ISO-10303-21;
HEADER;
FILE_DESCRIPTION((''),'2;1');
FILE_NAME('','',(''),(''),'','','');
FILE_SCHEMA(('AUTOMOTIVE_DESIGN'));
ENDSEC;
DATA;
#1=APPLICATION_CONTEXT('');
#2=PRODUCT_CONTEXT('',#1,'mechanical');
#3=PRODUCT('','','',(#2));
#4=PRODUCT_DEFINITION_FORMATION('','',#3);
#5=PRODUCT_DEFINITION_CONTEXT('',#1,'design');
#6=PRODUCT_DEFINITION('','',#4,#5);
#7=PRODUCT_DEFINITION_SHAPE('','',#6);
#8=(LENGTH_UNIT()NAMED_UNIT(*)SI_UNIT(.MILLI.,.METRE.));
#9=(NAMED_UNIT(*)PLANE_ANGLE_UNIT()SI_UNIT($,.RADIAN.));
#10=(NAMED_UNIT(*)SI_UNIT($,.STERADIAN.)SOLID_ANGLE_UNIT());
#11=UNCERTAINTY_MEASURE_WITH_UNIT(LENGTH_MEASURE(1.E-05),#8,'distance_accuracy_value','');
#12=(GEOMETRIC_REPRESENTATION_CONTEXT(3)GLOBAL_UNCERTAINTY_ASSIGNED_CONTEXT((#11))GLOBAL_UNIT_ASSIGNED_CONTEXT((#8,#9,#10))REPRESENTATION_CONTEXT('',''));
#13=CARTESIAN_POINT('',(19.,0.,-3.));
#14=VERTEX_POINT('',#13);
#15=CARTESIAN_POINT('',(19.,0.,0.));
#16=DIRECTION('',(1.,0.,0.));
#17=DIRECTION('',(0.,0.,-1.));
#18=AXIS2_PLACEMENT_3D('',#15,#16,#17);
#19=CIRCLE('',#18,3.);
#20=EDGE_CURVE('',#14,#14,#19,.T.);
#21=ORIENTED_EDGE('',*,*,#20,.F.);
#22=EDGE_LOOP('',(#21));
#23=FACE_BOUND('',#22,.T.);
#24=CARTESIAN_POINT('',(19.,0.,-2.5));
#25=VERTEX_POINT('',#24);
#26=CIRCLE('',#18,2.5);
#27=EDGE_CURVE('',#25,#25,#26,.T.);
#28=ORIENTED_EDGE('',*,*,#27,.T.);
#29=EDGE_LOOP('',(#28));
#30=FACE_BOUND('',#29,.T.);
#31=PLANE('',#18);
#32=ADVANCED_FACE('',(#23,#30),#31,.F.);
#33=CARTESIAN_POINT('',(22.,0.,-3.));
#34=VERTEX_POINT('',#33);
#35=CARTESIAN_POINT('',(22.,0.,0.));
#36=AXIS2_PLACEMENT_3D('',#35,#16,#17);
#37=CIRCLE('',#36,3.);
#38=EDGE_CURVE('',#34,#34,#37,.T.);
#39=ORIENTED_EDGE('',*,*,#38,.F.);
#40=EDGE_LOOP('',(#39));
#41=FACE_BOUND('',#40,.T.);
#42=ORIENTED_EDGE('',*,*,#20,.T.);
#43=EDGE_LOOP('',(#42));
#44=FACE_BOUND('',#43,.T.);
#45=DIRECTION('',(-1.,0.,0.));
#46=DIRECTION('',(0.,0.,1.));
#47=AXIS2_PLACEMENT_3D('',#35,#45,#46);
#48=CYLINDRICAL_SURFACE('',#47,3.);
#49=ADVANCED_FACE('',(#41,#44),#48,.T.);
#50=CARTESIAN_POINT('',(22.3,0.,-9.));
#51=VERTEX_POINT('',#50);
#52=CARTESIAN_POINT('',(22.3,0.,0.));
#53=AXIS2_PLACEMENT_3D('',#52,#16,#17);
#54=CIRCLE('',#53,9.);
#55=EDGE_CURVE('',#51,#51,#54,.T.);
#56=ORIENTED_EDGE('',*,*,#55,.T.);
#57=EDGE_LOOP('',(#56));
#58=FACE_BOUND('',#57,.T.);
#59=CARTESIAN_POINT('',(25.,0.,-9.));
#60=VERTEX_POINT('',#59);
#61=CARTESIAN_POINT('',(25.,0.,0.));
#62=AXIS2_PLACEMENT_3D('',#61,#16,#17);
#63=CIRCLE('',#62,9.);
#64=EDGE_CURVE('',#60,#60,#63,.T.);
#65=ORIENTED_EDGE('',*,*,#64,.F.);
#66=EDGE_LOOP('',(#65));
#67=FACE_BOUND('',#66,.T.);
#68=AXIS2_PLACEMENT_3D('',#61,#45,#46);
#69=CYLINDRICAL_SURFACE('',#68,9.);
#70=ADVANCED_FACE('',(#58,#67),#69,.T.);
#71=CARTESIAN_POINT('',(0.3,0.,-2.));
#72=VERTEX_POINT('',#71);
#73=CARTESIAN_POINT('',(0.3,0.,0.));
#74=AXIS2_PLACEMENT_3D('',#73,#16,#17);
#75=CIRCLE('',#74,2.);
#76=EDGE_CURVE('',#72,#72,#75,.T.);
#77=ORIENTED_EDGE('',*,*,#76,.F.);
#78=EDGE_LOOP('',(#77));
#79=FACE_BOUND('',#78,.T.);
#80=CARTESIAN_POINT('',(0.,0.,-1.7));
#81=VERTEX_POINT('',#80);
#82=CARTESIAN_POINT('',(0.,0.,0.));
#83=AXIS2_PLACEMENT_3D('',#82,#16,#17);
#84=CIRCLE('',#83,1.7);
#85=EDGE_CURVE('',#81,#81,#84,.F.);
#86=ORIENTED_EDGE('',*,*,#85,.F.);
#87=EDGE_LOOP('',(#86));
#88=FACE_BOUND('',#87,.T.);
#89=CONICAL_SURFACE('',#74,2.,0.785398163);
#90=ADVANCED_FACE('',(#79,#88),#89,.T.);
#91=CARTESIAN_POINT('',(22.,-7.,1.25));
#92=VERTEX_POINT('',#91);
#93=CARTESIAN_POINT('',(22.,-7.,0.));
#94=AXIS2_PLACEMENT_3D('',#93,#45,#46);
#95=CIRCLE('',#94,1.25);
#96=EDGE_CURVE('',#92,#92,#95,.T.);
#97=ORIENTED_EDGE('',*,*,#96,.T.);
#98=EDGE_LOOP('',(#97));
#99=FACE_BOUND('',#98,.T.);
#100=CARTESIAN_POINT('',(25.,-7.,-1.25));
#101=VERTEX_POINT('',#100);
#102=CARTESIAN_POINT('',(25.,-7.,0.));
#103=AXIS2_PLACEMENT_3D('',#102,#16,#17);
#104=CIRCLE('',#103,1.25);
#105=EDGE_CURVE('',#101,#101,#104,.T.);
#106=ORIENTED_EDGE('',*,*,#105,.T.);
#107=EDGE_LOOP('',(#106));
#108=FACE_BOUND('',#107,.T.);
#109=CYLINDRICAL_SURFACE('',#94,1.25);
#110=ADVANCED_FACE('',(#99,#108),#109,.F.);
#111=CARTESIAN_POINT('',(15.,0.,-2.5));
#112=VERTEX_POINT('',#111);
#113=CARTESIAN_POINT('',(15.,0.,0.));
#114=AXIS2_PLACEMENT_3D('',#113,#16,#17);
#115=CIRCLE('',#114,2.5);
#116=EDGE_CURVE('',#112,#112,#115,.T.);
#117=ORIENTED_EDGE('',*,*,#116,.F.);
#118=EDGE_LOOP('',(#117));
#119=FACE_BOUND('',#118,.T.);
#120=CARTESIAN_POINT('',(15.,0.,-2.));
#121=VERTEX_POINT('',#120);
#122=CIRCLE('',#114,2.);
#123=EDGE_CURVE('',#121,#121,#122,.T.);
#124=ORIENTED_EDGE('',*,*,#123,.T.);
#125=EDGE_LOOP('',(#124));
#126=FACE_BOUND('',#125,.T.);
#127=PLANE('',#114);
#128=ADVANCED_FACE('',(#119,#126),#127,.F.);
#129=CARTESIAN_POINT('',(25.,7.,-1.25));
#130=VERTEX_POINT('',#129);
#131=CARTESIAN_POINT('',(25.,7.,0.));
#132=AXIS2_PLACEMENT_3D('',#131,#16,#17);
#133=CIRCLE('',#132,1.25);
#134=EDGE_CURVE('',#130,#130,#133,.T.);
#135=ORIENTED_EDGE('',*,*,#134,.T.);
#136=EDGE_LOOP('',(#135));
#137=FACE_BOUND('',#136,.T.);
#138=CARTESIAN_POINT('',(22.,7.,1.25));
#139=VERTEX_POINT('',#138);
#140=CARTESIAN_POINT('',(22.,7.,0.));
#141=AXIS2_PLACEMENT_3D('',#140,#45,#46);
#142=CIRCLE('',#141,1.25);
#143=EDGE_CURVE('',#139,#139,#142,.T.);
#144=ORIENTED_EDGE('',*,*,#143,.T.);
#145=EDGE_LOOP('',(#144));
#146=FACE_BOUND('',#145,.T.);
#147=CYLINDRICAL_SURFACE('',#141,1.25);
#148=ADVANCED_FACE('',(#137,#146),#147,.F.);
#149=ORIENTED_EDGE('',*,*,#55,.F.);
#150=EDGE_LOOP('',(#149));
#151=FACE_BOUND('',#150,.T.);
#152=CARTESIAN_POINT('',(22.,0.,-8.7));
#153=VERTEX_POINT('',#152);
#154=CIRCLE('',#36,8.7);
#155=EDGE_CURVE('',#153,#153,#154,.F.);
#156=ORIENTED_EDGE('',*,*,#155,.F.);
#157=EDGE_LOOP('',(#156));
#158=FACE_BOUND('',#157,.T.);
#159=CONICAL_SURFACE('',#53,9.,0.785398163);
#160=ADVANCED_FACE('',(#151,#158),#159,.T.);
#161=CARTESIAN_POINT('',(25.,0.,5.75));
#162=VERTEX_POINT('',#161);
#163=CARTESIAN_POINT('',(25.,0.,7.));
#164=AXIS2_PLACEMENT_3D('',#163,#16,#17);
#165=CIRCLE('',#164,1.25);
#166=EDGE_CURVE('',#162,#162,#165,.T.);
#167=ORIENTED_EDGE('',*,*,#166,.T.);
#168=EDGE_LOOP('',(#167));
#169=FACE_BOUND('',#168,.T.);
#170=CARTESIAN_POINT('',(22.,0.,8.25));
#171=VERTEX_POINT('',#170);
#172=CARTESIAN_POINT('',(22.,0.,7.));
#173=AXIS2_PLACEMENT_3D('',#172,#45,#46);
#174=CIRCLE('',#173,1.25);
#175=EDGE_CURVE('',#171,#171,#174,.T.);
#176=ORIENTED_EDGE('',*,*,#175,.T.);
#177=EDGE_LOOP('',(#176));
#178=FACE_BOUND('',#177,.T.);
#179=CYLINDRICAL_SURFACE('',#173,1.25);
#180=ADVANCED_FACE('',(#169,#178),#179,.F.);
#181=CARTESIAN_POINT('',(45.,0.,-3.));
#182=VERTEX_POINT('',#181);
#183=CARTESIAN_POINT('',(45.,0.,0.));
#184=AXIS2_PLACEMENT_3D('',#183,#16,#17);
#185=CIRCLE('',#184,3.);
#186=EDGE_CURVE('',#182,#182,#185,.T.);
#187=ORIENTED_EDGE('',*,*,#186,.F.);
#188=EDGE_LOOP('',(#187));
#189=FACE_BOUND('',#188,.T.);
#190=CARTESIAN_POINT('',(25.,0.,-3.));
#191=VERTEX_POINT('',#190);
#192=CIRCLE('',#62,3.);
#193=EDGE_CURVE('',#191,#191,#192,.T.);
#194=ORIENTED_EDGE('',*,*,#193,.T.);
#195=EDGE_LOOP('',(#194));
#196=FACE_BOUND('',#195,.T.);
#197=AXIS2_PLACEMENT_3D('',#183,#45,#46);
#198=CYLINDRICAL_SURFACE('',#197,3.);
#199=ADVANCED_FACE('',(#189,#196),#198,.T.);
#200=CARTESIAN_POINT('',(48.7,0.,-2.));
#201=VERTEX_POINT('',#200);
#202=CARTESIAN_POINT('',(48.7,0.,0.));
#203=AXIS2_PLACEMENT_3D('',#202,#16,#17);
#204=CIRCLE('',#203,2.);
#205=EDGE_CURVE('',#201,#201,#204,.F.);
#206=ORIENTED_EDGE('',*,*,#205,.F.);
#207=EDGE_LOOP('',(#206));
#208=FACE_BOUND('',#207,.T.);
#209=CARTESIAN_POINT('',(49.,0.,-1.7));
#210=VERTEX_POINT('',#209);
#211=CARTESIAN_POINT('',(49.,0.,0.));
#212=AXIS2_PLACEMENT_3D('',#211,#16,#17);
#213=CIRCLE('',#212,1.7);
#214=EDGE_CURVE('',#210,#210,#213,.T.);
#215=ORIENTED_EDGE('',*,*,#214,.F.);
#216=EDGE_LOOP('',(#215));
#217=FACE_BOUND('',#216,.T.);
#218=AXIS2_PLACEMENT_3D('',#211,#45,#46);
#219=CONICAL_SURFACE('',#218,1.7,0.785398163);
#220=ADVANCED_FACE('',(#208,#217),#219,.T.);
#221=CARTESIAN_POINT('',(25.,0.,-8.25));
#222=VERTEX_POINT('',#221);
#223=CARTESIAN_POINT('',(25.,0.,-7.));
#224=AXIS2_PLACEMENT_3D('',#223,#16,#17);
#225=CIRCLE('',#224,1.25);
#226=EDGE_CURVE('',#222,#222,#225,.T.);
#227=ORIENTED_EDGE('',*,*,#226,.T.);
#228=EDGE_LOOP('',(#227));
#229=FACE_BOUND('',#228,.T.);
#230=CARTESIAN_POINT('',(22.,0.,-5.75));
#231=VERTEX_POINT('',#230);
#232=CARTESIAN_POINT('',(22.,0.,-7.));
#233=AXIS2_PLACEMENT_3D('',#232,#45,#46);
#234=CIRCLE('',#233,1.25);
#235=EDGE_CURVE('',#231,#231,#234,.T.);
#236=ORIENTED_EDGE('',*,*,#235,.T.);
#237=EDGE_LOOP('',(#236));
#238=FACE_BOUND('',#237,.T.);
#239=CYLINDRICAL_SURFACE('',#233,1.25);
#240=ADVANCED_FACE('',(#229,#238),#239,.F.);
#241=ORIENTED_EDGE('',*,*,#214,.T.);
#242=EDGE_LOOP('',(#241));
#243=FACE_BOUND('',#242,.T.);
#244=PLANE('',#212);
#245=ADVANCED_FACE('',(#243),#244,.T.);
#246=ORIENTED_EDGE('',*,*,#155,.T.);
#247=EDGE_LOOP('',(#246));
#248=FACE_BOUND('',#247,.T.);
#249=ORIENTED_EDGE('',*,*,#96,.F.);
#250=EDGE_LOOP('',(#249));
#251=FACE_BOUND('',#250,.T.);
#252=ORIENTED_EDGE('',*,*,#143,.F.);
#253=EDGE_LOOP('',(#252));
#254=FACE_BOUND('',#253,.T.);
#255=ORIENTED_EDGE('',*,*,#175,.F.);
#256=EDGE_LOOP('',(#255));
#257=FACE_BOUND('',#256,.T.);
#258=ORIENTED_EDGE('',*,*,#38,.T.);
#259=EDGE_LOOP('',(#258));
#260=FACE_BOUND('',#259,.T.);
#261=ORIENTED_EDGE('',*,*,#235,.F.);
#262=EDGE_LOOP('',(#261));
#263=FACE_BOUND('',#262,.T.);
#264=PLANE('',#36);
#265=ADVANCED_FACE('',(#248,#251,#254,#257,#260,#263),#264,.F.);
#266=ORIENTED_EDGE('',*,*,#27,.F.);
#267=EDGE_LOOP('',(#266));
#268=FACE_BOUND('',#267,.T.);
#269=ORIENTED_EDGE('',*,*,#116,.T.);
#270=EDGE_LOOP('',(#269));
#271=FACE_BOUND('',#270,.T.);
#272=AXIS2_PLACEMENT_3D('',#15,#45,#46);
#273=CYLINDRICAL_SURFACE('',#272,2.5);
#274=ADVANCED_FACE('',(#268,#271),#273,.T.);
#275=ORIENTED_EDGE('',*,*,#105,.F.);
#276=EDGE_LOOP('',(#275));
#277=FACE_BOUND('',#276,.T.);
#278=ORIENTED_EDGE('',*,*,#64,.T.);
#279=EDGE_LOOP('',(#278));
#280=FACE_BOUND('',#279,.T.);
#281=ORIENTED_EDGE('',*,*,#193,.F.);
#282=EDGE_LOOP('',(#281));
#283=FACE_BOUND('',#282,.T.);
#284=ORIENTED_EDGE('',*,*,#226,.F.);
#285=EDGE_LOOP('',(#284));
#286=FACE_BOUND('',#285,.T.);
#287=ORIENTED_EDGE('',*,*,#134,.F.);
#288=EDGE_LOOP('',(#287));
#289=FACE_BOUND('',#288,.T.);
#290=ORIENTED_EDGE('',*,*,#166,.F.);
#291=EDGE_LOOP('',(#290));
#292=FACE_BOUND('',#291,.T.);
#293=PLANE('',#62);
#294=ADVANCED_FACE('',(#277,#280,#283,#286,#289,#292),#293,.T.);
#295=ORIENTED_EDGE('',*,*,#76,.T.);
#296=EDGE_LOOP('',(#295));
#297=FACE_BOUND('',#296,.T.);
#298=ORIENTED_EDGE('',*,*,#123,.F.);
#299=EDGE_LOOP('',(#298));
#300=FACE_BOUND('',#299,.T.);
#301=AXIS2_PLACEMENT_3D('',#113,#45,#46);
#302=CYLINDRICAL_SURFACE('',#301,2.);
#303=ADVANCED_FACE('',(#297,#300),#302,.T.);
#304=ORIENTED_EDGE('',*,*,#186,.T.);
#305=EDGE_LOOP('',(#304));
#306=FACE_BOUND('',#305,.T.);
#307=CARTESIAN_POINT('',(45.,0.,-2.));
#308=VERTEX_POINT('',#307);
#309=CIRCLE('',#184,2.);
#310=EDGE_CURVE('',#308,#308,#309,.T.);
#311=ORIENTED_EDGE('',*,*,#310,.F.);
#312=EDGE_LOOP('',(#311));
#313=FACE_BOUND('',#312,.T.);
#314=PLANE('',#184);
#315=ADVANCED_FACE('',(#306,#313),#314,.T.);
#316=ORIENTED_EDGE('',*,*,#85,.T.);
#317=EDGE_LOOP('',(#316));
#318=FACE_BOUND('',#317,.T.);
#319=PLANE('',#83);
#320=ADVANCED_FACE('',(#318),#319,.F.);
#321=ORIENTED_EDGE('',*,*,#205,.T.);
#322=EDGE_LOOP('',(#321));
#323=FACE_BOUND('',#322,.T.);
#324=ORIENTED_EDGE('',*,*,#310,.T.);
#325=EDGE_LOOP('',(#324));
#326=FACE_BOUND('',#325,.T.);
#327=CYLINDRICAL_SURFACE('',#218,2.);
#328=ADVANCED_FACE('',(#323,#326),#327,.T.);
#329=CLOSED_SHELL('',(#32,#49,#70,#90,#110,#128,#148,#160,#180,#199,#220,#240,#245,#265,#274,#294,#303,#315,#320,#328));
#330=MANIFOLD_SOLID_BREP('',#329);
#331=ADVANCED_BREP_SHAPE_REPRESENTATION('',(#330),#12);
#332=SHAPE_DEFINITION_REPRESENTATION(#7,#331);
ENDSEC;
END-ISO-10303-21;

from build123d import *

# Parameters (mm, degrees)
SKETCH_1_R               = 2
EXTRUDE_1_DEPTH          = 15
SKETCH_2_R               = 2.5
EXTRUDE_2_DEPTH          = 4
SKETCH_3_R               = 3
EXTRUDE_3_DEPTH          = 3
SKETCH_4_R               = 9
EXTRUDE_4_DEPTH          = 3
SKETCH_5_R               = 3
EXTRUDE_5_DEPTH          = 20
SKETCH_8_R               = 2
EXTRUDE_6_DEPTH          = 4
HOLE_WIZARD_M3_2_D       = 2.5
PATTERN_CIRCULAR_2_COUNT = 4
CHAMFER_1_SIZE           = 0.3


with BuildPart() as part:
    # 草图1 → 凸台-拉伸1 (new body)
    with BuildSketch(Plane(origin=(0, 0, 0), x_dir=(0, 0, -1), z_dir=(1, 0, 0))):
        Circle(SKETCH_1_R)
    extrude(amount=EXTRUDE_1_DEPTH)

    # 草图2 → 凸台-拉伸2 (add)
    with BuildSketch(Plane(origin=(15, 0, 0), x_dir=(0, 0, -1), z_dir=(1, 0, 0))):
        Circle(SKETCH_2_R)
    extrude(amount=EXTRUDE_2_DEPTH)

    # 草图3 → 凸台-拉伸3 (add)
    with BuildSketch(Plane(origin=(19, 0, 0), x_dir=(0, 0, -1), z_dir=(1, 0, 0))):
        Circle(SKETCH_3_R)
    extrude(amount=EXTRUDE_3_DEPTH)

    # 草图4 → 凸台-拉伸4 (add)
    with BuildSketch(Plane(origin=(22, 0, 0), x_dir=(0, 0, -1), z_dir=(1, 0, 0))):
        Circle(SKETCH_4_R)
    extrude(amount=EXTRUDE_4_DEPTH)

    # 草图5 → 凸台-拉伸5 (add)
    with BuildSketch(Plane(origin=(25, 0, 0), x_dir=(0, 0, -1), z_dir=(1, 0, 0))):
        Circle(SKETCH_5_R)
    extrude(amount=EXTRUDE_5_DEPTH)

    # 草图8 → 凸台-拉伸6 (add)
    with BuildSketch(Plane(origin=(45, 0, 0), x_dir=(0, 0, -1), z_dir=(1, 0, 0))):
        Circle(SKETCH_8_R)
    extrude(amount=EXTRUDE_6_DEPTH)

    # M3 螺纹孔2 (through all)
    with Locations(Plane.ZY.offset(-22)):
        with Locations((0, 7)):
            hole_wizard_m3_2 = Hole(HOLE_WIZARD_M3_2_D / 2)

    # 阵列(圆周)2: M3 螺纹孔2 ×4 about axis
    pattern_circular_2_axis = Axis((0, 0, 0), (1, 0, 0))
    for i in range(1, PATTERN_CIRCULAR_2_COUNT):
        add(hole_wizard_m3_2.rotate(pattern_circular_2_axis, i * 360 / PATTERN_CIRCULAR_2_COUNT), mode=Mode.SUBTRACT)

    # 倒角1
    chamfer_1_edges = [part.edges().sort_by_distance(p)[0] for p in [
        (22, 0, 9),
        (0, 0, 2),
        (49, 0, 2),
    ]]
    chamfer(chamfer_1_edges, length=CHAMFER_1_SIZE)


solid = part.part
